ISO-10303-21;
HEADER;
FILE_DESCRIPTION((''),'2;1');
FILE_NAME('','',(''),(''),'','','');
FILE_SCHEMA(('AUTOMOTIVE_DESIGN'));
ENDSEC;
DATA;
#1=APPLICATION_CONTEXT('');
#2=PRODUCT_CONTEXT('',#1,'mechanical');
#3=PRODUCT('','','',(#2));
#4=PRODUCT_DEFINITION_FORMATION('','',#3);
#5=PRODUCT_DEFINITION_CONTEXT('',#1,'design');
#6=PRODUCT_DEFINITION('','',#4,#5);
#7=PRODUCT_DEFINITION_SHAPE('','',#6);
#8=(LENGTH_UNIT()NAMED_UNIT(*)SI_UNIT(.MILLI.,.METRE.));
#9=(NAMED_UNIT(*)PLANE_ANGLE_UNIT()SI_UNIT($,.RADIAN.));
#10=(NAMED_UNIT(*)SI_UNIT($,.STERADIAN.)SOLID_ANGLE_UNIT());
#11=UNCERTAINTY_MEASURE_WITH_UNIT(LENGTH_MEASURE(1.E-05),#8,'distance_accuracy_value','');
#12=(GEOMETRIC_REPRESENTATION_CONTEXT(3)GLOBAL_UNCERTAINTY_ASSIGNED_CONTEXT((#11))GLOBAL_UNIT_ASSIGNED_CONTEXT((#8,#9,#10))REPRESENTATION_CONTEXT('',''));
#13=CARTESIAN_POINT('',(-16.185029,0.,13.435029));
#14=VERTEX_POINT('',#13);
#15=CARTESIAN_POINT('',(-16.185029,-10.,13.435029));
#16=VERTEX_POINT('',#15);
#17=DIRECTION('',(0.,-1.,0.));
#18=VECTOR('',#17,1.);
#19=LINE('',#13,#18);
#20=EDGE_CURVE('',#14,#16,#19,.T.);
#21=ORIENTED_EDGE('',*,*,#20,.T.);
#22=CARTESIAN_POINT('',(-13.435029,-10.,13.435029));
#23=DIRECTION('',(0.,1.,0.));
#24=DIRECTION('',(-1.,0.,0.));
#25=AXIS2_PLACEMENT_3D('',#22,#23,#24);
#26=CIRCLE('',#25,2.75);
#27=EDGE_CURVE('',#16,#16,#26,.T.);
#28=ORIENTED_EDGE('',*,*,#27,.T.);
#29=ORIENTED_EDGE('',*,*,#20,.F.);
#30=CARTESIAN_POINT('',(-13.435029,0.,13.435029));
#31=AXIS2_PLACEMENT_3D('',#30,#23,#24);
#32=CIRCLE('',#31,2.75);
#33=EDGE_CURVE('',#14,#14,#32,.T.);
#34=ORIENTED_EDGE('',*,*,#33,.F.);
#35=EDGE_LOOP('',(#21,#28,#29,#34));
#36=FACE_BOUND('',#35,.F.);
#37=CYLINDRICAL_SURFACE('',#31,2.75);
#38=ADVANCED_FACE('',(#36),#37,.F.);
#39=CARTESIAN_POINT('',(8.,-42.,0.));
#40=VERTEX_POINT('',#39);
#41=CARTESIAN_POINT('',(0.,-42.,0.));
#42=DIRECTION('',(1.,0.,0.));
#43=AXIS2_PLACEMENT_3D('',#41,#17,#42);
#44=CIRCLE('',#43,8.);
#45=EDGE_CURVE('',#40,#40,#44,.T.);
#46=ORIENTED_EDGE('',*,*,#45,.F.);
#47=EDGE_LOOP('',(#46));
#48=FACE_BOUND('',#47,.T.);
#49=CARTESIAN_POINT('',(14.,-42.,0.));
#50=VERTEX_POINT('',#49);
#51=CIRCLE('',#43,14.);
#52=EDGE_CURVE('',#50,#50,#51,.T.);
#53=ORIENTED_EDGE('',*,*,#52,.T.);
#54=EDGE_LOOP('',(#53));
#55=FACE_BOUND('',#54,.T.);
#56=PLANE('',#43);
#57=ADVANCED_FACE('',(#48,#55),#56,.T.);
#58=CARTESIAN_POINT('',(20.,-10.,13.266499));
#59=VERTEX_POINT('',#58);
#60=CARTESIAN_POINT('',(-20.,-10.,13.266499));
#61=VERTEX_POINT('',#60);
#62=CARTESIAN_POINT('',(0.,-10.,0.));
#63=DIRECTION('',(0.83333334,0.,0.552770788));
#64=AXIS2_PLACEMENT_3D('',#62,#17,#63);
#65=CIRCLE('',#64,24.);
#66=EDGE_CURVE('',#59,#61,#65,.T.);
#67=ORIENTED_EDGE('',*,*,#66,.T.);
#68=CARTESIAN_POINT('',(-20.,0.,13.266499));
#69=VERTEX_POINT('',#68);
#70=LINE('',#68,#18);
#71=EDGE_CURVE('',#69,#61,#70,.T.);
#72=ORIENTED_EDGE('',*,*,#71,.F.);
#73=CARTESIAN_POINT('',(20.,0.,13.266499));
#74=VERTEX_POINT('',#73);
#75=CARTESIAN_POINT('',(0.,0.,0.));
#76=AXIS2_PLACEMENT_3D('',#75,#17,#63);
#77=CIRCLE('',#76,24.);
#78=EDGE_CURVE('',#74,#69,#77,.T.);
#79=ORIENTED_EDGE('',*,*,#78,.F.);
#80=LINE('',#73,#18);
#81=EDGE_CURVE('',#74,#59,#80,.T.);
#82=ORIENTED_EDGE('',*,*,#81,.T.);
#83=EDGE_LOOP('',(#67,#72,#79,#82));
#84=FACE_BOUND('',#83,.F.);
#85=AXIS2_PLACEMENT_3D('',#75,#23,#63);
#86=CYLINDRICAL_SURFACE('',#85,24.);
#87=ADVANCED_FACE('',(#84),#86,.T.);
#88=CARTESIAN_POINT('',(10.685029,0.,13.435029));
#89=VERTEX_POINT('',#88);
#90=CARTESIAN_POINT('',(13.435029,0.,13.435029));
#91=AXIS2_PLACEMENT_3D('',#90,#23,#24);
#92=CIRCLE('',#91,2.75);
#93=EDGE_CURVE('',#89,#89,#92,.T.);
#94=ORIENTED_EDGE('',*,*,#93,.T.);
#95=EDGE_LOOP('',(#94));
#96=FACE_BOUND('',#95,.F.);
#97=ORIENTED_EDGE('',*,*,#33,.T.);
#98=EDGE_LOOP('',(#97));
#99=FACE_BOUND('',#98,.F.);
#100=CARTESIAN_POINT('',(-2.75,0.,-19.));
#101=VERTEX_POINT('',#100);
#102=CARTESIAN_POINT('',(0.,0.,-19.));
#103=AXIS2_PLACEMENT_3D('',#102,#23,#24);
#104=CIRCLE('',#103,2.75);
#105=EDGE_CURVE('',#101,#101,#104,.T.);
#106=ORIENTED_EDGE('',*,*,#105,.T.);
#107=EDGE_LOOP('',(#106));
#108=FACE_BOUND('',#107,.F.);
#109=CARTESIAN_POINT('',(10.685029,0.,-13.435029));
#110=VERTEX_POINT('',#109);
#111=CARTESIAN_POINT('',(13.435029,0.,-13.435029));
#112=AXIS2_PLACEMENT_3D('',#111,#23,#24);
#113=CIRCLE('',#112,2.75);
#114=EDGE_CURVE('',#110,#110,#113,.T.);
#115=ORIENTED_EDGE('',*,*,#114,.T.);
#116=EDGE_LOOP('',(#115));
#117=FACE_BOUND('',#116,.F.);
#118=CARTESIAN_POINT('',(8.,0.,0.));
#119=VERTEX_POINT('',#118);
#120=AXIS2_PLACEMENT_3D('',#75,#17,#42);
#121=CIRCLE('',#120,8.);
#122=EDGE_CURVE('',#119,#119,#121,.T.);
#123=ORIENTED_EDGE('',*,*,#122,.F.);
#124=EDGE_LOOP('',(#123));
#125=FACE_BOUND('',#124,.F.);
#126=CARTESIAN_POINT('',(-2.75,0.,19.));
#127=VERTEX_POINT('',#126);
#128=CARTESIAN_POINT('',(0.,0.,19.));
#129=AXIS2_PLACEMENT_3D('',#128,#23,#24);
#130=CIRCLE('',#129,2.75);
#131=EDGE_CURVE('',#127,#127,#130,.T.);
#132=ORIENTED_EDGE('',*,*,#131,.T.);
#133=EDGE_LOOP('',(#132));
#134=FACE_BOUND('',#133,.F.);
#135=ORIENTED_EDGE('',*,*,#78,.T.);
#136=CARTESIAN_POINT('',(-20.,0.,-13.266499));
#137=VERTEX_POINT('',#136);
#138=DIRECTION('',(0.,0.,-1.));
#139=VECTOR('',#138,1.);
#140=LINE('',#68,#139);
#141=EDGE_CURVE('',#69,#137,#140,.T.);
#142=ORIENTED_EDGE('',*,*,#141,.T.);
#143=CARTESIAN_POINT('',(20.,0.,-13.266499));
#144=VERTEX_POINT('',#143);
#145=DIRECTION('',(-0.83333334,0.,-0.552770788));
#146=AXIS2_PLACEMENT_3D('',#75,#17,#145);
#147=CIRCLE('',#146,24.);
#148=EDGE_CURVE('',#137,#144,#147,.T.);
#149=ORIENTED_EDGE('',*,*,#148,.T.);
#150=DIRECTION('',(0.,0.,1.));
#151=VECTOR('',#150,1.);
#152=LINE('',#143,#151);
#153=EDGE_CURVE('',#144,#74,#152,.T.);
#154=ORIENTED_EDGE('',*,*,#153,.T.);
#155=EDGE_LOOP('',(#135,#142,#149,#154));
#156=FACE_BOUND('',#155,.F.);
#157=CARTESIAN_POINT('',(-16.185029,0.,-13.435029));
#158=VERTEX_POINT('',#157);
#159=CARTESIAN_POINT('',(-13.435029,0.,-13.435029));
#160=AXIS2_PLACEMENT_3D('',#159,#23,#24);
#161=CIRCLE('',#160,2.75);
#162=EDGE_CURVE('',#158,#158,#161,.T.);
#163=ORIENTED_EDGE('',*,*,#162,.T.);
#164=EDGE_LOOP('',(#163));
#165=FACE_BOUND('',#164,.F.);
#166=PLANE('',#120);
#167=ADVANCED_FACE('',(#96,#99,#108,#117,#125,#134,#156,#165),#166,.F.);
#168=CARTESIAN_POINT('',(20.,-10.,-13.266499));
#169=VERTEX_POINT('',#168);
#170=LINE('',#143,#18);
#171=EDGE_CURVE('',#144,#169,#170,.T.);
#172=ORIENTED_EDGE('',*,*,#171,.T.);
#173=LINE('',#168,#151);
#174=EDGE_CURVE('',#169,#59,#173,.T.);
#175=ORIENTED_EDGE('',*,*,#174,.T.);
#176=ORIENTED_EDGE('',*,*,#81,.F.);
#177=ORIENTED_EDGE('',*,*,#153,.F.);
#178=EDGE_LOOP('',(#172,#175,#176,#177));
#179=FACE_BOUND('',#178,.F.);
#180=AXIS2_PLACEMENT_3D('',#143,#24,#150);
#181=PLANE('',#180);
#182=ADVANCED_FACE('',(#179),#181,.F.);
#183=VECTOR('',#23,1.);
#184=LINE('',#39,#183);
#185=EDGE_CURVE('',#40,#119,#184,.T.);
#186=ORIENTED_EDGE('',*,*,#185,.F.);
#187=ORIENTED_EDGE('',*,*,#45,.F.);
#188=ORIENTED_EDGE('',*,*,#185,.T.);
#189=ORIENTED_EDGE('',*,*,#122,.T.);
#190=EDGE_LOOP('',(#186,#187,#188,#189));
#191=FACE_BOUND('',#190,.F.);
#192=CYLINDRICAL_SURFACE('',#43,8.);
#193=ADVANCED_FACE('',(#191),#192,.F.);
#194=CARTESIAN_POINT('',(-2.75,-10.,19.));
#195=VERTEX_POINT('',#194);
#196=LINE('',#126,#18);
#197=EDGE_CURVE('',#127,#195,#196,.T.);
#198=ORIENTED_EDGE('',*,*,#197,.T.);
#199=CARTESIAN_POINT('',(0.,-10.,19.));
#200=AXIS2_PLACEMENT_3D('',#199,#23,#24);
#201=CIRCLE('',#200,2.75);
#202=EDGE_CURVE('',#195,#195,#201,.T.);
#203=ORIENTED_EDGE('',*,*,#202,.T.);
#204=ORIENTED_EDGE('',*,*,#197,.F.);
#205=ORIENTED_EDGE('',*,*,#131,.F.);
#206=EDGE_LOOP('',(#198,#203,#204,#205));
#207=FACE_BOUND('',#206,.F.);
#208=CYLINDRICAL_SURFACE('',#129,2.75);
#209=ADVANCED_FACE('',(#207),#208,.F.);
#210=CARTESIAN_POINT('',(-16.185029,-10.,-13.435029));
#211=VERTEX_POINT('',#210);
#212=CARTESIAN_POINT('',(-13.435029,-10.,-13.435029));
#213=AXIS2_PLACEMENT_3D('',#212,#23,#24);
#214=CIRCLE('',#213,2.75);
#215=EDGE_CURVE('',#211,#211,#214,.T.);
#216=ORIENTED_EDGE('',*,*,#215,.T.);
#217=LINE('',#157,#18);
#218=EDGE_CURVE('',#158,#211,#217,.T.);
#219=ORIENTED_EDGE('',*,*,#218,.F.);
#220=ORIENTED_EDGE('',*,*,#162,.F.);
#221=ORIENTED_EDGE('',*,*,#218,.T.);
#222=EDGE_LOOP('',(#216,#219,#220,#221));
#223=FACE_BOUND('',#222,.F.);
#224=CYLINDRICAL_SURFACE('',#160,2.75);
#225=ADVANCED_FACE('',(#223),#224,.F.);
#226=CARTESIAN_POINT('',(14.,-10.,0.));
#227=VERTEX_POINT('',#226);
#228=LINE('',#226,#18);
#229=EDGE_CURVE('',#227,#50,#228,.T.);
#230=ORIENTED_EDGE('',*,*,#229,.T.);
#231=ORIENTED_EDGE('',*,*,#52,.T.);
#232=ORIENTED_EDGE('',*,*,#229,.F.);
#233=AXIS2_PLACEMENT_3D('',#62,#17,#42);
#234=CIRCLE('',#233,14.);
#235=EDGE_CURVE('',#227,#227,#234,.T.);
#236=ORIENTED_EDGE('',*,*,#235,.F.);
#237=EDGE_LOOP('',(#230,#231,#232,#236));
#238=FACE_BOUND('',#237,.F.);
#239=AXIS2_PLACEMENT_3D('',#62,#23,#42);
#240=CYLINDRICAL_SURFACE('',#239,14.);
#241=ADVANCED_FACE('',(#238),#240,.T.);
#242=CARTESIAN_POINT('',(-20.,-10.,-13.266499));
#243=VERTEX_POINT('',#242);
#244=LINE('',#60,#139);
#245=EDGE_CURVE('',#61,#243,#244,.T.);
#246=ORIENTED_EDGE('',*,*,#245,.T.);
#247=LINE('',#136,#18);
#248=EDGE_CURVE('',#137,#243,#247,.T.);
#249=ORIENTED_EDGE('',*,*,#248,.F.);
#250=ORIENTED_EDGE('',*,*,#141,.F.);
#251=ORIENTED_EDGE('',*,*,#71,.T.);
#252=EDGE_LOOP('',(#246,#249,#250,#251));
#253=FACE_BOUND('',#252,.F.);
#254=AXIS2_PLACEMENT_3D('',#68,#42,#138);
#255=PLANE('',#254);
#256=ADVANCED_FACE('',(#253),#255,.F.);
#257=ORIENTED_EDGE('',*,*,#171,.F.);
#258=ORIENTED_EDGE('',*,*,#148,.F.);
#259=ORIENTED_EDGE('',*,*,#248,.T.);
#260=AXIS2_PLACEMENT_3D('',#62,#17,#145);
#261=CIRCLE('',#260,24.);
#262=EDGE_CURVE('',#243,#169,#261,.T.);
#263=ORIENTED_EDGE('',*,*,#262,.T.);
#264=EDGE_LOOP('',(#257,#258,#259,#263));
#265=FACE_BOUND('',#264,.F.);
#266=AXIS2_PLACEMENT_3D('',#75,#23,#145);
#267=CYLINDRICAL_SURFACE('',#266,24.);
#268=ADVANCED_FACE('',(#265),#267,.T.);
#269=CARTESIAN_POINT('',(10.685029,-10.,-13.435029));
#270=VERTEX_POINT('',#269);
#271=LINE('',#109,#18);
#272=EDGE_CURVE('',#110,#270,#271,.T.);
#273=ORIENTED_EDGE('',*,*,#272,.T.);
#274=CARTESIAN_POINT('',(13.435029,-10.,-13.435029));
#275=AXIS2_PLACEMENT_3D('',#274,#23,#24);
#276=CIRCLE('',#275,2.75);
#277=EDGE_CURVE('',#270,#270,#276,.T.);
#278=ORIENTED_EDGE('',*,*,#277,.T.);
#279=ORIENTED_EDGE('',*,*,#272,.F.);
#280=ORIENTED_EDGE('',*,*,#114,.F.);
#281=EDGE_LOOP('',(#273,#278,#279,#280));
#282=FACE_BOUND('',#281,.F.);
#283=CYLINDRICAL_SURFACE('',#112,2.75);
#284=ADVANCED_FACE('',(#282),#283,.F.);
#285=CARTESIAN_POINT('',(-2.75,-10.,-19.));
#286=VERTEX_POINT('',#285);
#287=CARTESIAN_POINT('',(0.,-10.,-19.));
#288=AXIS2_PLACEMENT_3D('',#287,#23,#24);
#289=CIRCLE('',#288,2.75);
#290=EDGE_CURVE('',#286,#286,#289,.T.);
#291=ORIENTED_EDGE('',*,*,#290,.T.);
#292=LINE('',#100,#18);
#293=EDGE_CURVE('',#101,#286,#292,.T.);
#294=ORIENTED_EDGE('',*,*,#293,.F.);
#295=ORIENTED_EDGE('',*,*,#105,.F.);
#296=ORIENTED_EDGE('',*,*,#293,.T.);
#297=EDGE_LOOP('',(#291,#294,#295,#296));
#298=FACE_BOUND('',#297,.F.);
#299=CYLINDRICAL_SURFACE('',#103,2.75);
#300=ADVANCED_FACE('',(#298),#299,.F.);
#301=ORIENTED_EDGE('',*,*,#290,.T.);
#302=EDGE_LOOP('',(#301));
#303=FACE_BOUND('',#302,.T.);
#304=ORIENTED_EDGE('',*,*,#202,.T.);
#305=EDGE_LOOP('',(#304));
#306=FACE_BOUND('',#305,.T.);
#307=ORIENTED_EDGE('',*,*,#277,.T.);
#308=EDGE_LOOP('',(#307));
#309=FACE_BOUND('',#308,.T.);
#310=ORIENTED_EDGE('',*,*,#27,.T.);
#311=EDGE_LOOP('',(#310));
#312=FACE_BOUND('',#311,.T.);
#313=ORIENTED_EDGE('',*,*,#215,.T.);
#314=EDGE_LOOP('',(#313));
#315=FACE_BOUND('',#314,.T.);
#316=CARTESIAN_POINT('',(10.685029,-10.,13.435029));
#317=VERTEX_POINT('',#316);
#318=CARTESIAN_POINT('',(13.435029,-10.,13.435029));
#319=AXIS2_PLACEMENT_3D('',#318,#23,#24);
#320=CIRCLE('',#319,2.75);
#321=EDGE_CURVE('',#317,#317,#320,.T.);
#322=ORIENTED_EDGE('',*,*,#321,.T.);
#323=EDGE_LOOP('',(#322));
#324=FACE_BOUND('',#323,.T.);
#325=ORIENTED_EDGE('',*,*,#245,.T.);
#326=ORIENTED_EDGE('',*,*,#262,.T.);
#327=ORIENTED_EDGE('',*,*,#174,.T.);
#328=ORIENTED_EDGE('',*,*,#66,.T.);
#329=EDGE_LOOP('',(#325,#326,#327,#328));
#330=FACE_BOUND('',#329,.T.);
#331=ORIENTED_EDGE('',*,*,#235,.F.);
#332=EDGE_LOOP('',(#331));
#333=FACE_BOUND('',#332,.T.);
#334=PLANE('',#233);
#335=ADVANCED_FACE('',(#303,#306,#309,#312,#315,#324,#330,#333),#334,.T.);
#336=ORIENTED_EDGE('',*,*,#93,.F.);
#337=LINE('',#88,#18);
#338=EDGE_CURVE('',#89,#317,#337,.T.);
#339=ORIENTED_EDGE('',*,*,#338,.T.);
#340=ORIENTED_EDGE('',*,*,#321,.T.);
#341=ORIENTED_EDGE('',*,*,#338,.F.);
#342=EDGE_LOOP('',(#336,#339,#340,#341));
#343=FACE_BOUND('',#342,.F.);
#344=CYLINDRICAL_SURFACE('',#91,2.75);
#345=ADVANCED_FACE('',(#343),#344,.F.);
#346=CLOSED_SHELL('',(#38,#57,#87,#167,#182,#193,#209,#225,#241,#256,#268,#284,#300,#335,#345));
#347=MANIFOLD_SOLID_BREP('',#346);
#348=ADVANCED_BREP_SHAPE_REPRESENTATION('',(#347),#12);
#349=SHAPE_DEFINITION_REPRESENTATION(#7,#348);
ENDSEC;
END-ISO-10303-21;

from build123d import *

# Parameters (mm, degrees)
F1_DEPTH = 10
F2_R     = 14
F3_DEPTH = 32
F4_R     = 8
F5_DEPTH = 42.001
F6_R     = 2.75
F7_DEPTH = 42.001


with BuildPart() as f1:
    # F0 (on Front) → F1 (new body)
    with BuildSketch(Plane.XZ):
        with BuildLine():
            Line((-20, 13.266499), (-20, -13.266499))
            ThreePointArc((-20, -13.266499), (0, -24), (20, -13.266499))
            Line((20, -13.266499), (20, 13.266499))
            ThreePointArc((20, 13.266499), (0, 24), (-20, 13.266499))
        make_face()
    extrude(amount=F1_DEPTH)

    # F2 (on face) → F3 (join)
    with BuildSketch(Plane.XZ.offset(10)):
        Circle(F2_R)
    extrude(amount=F3_DEPTH)

    # F4 (on face) → F5 (cut, through all)
    with BuildSketch(Plane.XZ.offset(42)):
        Circle(F4_R)
    extrude(amount=-F5_DEPTH, mode=Mode.SUBTRACT)

    # F6 (on face) → F7 (cut, through all)
    with BuildSketch(Plane(origin=(0, 0, 0), x_dir=(-1, 0, 0), z_dir=(0, 1, 0))):
        with Locations((0, 19)):
            Circle(F6_R)
        with Locations((-13.435029, 13.435029)):
            Circle(F6_R)
        with Locations((-13.435029, -13.435029)):
            Circle(F6_R)
        with Locations((0, -19)):
            Circle(F6_R)
        with Locations((13.435029, -13.435029)):
            Circle(F6_R)
        with Locations((13.435029, 13.435029)):
            Circle(F6_R)
    extrude(amount=-F7_DEPTH, mode=Mode.SUBTRACT)


solid = f1.part
